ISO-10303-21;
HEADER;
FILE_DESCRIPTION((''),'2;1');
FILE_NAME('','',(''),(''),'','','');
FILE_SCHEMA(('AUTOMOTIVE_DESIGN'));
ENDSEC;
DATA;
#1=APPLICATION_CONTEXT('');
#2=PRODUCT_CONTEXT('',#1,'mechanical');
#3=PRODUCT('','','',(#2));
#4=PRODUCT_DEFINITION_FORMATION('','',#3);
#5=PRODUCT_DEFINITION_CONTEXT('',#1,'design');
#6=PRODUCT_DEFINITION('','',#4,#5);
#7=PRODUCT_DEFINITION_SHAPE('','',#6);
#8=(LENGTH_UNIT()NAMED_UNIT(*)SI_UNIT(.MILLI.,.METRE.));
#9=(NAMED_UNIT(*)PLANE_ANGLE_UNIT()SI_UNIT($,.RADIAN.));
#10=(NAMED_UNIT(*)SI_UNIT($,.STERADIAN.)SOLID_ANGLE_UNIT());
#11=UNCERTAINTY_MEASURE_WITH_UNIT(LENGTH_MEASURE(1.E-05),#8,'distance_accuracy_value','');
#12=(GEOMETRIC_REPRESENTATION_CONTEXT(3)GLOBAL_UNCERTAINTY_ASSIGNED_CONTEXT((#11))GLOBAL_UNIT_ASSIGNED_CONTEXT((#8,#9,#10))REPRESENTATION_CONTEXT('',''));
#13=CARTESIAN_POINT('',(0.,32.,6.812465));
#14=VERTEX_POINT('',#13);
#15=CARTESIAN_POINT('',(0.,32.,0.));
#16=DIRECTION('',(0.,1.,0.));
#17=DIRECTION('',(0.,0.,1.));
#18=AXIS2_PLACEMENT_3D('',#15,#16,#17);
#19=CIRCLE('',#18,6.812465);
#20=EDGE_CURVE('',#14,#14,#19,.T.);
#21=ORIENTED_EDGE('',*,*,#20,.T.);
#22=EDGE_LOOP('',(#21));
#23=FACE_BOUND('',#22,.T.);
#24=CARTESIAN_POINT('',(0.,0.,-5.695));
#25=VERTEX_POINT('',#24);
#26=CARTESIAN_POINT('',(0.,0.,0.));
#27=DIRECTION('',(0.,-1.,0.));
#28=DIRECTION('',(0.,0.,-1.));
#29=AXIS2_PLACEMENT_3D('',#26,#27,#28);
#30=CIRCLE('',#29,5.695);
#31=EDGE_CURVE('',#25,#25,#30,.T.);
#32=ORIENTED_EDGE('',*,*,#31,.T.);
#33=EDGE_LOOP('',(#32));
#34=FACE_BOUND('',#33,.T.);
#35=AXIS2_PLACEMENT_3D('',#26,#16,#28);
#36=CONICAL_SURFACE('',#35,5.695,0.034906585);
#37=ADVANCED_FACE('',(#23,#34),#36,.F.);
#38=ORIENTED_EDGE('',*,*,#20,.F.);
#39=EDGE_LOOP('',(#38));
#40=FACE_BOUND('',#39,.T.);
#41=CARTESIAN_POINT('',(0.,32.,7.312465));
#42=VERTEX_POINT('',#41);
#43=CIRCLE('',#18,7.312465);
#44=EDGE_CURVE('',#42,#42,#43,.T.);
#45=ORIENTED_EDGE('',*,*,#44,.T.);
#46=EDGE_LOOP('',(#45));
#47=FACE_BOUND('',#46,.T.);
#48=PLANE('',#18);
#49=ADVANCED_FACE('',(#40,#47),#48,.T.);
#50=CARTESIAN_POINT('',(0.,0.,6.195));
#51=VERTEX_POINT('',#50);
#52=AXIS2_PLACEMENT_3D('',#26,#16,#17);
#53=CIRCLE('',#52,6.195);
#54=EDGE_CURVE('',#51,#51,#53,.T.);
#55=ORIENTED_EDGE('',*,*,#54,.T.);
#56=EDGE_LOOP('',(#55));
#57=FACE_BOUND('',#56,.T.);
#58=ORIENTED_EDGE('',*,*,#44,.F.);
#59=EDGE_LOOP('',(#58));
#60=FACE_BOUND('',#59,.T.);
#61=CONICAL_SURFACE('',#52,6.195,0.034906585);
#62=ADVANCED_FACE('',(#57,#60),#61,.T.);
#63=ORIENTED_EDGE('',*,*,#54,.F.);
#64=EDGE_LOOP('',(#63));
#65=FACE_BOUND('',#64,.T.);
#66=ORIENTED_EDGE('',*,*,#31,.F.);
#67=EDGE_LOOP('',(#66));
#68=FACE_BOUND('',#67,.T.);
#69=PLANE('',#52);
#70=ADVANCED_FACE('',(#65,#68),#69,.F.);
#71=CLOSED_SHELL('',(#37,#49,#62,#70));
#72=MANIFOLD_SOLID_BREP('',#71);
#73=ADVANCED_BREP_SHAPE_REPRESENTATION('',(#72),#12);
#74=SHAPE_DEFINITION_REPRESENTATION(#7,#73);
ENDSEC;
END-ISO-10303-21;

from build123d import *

# Parameters (mm, degrees)
SKETCH1_R           = 6.195
BOSS_EXTRUDE1_DEPTH = 32
BOSS_EXTRUDE1_DRAFT = -2
SKETCH3_R           = 5.695
CUT_EXTRUDE1_DEPTH  = 50.7
CUT_EXTRUDE1_DRAFT  = 2


with BuildPart() as part:
    # Sketch1 → Boss-Extrude1 (with draft: the straight prism first)
    with BuildSketch(Plane(origin=(0, 0, 0), x_dir=(1, 0, 0), z_dir=(0, 1, 0))):
        Circle(SKETCH1_R)
    extrude(amount=BOSS_EXTRUDE1_DEPTH)
    # Boss-Extrude1: the draft: its side faces are tilted about the plane it starts from
    boss_extrude1_sides = [part.faces().sort_by_distance(p)[0] for p in [
        (-6.195, 16, 0),
    ]]
    draft(boss_extrude1_sides, Plane(origin=(0, 0, 0), x_dir=(1, 0, 0), z_dir=(0, 1, 0)), BOSS_EXTRUDE1_DRAFT)


with BuildPart() as cut_extrude1_tool:
    # Sketch3 → Cut-Extrude1 (with draft: the straight prism first)
    with BuildSketch(Plane(origin=(0, 0, 0), x_dir=(-1, 0, 0), z_dir=(0, -1, 0))):
        Circle(SKETCH3_R)
    extrude(amount=-CUT_EXTRUDE1_DEPTH)
    # Cut-Extrude1: the draft: its side faces are tilted about the plane it starts from
    cut_extrude1_sides = [cut_extrude1_tool.faces().sort_by_distance(p)[0] for p in [
        (5.695, 25.35, 0),
    ]]
    draft(cut_extrude1_sides, Plane(origin=(0, 0, 0), x_dir=(-1, 0, 0), z_dir=(0, -1, 0)), CUT_EXTRUDE1_DRAFT)


with BuildPart() as part_1:
    add(part.part)

    # Cut-Extrude1: cut by cut_extrude1_tool
    add(cut_extrude1_tool.part, mode=Mode.SUBTRACT)


solid = part_1.part
